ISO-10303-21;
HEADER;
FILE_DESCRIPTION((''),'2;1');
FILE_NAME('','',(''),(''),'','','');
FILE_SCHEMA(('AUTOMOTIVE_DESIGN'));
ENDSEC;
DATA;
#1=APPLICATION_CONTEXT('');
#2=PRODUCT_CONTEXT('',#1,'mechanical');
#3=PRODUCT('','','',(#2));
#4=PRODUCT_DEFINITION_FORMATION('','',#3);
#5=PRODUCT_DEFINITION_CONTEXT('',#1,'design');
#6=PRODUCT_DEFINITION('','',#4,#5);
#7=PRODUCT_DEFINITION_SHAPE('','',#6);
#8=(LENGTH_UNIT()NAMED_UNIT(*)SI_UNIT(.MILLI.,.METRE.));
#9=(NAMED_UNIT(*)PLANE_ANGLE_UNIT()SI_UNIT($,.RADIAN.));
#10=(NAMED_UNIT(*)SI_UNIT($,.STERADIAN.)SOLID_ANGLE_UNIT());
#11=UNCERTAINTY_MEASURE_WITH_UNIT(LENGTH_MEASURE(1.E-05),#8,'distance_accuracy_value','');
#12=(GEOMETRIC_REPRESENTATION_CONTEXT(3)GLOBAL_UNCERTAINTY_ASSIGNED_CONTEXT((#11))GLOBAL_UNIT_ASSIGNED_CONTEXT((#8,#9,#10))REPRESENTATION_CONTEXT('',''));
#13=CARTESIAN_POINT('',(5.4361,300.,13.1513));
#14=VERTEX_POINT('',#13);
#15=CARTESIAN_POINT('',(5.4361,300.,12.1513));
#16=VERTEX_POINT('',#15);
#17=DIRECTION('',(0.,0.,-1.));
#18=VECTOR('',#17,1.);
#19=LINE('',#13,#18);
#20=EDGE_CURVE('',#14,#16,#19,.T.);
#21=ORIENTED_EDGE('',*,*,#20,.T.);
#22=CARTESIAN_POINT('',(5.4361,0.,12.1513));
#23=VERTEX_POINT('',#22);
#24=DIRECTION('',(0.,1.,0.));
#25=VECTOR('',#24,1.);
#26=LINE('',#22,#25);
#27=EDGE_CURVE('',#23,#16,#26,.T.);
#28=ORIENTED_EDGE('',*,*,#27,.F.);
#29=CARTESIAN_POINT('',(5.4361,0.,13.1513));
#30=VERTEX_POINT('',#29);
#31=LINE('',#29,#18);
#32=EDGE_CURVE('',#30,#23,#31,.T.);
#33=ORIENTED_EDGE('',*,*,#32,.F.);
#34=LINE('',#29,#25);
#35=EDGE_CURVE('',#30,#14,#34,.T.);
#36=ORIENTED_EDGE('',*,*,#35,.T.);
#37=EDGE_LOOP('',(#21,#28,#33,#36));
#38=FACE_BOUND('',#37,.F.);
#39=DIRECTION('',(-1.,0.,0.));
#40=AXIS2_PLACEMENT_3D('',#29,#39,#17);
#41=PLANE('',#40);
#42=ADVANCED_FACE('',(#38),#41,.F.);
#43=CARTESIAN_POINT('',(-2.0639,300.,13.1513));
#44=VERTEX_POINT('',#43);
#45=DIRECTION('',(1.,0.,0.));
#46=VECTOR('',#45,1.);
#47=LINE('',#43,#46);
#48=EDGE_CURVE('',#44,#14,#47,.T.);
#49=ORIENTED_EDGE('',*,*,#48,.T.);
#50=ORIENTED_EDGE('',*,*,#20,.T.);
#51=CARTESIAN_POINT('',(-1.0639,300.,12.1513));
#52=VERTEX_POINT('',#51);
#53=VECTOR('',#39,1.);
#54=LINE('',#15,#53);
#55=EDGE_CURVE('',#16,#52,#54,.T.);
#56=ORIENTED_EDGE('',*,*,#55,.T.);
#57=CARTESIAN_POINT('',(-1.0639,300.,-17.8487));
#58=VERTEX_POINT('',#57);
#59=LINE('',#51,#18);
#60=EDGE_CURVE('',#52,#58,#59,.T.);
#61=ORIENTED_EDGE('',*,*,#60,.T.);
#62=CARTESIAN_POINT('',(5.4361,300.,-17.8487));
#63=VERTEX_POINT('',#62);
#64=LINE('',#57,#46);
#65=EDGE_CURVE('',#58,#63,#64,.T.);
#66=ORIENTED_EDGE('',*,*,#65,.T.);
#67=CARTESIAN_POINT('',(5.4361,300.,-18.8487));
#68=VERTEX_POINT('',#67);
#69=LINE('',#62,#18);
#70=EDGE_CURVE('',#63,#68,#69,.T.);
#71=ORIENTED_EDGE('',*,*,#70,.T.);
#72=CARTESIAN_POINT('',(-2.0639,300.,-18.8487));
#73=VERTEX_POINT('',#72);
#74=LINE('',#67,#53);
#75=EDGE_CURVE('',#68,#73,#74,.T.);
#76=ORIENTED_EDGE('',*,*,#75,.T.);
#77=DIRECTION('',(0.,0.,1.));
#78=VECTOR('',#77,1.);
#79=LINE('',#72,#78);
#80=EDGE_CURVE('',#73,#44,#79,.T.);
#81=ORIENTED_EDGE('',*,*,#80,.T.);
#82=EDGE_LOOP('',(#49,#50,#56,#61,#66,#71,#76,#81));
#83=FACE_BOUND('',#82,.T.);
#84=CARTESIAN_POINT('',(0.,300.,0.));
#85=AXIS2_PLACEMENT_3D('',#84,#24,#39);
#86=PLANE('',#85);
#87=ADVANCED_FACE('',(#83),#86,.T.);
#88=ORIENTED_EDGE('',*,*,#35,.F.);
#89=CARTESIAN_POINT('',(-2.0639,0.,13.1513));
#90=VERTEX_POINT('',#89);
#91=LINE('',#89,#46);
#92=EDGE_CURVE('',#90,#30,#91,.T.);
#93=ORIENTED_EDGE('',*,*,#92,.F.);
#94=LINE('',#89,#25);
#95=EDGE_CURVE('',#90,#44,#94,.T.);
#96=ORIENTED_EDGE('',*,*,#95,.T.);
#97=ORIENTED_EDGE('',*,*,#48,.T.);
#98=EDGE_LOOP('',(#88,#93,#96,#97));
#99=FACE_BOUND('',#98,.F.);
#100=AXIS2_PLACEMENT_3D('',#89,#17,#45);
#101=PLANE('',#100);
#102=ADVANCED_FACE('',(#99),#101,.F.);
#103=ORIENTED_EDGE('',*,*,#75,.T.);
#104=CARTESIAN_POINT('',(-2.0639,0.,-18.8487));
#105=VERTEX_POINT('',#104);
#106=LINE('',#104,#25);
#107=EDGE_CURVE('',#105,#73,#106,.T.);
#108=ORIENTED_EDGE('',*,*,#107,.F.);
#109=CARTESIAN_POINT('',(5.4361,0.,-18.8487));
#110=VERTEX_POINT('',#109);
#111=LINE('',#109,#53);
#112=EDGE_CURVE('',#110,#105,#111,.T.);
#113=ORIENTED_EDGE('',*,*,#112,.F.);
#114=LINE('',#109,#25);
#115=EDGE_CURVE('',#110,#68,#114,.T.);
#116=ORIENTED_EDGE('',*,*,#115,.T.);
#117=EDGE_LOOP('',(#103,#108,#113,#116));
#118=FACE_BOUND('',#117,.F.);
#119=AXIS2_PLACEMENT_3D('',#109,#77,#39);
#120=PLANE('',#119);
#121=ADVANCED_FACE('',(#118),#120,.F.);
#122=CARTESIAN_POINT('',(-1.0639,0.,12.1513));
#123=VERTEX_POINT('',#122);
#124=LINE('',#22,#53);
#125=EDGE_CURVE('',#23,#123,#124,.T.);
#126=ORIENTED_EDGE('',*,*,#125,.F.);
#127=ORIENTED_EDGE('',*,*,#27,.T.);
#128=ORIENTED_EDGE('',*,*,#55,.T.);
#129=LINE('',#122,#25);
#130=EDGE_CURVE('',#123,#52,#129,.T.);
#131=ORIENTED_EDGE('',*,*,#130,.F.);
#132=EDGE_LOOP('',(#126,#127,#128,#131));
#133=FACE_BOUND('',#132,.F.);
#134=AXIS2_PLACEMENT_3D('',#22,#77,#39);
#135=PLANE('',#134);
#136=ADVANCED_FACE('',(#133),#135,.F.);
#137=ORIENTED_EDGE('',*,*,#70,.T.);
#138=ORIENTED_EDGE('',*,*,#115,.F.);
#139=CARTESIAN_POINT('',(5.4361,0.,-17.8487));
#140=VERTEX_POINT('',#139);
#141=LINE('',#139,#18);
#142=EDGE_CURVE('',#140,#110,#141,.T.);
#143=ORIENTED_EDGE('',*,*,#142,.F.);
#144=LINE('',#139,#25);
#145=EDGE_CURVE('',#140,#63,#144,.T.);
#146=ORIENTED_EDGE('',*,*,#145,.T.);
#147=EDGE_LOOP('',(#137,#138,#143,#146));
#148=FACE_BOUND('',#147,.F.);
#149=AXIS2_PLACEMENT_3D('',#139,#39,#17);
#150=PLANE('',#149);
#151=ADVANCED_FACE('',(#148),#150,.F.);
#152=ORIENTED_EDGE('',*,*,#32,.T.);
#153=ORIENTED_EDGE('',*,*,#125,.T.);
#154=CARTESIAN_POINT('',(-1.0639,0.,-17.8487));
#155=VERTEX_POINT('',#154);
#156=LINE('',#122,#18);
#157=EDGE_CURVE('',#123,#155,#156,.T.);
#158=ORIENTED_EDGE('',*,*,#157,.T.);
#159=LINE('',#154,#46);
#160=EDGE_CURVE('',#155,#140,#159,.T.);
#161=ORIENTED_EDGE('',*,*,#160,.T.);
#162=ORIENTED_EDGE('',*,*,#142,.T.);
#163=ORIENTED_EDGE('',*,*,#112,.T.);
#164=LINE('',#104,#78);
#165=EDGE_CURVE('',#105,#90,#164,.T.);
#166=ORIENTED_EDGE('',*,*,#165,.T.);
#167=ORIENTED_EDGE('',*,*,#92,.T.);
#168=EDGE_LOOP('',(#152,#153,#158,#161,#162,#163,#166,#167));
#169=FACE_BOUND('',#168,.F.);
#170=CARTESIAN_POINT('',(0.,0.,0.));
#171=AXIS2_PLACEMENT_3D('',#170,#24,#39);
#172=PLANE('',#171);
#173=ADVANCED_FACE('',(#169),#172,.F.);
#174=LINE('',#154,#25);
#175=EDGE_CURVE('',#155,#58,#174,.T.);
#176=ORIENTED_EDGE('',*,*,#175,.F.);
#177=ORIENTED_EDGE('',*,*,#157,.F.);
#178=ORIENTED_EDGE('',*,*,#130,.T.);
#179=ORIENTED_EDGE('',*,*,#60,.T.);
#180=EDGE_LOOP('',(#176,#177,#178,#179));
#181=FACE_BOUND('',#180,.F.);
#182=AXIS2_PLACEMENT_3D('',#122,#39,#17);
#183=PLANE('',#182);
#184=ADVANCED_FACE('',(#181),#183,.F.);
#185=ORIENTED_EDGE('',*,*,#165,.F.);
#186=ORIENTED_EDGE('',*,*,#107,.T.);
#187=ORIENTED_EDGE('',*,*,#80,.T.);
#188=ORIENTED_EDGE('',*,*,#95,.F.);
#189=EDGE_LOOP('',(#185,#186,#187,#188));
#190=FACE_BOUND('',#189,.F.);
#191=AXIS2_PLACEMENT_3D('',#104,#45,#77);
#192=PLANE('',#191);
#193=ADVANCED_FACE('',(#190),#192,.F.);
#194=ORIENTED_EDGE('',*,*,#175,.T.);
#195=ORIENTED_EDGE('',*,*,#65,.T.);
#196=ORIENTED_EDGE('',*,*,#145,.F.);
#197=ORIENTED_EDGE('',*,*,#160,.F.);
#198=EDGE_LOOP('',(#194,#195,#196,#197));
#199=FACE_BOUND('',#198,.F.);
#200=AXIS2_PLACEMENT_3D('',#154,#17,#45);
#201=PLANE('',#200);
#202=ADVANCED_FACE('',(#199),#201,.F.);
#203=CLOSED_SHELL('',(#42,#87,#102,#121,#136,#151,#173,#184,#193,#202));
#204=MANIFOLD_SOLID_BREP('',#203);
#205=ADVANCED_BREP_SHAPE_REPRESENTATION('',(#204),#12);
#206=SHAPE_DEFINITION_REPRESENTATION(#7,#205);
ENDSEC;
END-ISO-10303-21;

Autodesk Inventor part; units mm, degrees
ref_plane "YZ Plane" through (0, 0, 0) normal (1, 0, 0) x (0, 1, 0)
ref_plane "XZ Plane" through (0, 0, 0) normal (0, 1, 0) x (-1, 0, 0)
ref_plane "XY Plane" through (0, 0, 0) normal (0, 0, 1) x (1, 0, 0)
sketch "Boceto1" plane through (0, 0, 0) normal (0, 1, 0) x (-1, 0, 0)
  line L0 (-5.4361, 12.1513) -> (1.0639, 12.1513)
  line L1 (1.0639, 12.1513) -> (1.0639, -17.8487)
  line L2 (1.0639, -17.8487) -> (-5.4361, -17.8487)
  line L3 (-5.4361, -17.8487) -> (-5.4361, -18.8487)
  line L4 (-5.4361, -18.8487) -> (2.0639, -18.8487)
  line L5 (2.0639, -18.8487) -> (2.0639, 13.1513)
  line L6 (2.0639, 13.1513) -> (-5.4361, 13.1513)
  line L7 (-5.4361, 13.1513) -> (-5.4361, 12.1513)
  point P0 (0, 0)
  dimension "d0" = 6.5
  dimension "d1" = 30
  dimension "d2" = 1
  dimension "d3" = 7.5
  dimension "d4" = 32
extrude "Extrusión1" add sketch "Boceto1" along normal blind 300
properties part number "Tapa cable canal 300mm"
